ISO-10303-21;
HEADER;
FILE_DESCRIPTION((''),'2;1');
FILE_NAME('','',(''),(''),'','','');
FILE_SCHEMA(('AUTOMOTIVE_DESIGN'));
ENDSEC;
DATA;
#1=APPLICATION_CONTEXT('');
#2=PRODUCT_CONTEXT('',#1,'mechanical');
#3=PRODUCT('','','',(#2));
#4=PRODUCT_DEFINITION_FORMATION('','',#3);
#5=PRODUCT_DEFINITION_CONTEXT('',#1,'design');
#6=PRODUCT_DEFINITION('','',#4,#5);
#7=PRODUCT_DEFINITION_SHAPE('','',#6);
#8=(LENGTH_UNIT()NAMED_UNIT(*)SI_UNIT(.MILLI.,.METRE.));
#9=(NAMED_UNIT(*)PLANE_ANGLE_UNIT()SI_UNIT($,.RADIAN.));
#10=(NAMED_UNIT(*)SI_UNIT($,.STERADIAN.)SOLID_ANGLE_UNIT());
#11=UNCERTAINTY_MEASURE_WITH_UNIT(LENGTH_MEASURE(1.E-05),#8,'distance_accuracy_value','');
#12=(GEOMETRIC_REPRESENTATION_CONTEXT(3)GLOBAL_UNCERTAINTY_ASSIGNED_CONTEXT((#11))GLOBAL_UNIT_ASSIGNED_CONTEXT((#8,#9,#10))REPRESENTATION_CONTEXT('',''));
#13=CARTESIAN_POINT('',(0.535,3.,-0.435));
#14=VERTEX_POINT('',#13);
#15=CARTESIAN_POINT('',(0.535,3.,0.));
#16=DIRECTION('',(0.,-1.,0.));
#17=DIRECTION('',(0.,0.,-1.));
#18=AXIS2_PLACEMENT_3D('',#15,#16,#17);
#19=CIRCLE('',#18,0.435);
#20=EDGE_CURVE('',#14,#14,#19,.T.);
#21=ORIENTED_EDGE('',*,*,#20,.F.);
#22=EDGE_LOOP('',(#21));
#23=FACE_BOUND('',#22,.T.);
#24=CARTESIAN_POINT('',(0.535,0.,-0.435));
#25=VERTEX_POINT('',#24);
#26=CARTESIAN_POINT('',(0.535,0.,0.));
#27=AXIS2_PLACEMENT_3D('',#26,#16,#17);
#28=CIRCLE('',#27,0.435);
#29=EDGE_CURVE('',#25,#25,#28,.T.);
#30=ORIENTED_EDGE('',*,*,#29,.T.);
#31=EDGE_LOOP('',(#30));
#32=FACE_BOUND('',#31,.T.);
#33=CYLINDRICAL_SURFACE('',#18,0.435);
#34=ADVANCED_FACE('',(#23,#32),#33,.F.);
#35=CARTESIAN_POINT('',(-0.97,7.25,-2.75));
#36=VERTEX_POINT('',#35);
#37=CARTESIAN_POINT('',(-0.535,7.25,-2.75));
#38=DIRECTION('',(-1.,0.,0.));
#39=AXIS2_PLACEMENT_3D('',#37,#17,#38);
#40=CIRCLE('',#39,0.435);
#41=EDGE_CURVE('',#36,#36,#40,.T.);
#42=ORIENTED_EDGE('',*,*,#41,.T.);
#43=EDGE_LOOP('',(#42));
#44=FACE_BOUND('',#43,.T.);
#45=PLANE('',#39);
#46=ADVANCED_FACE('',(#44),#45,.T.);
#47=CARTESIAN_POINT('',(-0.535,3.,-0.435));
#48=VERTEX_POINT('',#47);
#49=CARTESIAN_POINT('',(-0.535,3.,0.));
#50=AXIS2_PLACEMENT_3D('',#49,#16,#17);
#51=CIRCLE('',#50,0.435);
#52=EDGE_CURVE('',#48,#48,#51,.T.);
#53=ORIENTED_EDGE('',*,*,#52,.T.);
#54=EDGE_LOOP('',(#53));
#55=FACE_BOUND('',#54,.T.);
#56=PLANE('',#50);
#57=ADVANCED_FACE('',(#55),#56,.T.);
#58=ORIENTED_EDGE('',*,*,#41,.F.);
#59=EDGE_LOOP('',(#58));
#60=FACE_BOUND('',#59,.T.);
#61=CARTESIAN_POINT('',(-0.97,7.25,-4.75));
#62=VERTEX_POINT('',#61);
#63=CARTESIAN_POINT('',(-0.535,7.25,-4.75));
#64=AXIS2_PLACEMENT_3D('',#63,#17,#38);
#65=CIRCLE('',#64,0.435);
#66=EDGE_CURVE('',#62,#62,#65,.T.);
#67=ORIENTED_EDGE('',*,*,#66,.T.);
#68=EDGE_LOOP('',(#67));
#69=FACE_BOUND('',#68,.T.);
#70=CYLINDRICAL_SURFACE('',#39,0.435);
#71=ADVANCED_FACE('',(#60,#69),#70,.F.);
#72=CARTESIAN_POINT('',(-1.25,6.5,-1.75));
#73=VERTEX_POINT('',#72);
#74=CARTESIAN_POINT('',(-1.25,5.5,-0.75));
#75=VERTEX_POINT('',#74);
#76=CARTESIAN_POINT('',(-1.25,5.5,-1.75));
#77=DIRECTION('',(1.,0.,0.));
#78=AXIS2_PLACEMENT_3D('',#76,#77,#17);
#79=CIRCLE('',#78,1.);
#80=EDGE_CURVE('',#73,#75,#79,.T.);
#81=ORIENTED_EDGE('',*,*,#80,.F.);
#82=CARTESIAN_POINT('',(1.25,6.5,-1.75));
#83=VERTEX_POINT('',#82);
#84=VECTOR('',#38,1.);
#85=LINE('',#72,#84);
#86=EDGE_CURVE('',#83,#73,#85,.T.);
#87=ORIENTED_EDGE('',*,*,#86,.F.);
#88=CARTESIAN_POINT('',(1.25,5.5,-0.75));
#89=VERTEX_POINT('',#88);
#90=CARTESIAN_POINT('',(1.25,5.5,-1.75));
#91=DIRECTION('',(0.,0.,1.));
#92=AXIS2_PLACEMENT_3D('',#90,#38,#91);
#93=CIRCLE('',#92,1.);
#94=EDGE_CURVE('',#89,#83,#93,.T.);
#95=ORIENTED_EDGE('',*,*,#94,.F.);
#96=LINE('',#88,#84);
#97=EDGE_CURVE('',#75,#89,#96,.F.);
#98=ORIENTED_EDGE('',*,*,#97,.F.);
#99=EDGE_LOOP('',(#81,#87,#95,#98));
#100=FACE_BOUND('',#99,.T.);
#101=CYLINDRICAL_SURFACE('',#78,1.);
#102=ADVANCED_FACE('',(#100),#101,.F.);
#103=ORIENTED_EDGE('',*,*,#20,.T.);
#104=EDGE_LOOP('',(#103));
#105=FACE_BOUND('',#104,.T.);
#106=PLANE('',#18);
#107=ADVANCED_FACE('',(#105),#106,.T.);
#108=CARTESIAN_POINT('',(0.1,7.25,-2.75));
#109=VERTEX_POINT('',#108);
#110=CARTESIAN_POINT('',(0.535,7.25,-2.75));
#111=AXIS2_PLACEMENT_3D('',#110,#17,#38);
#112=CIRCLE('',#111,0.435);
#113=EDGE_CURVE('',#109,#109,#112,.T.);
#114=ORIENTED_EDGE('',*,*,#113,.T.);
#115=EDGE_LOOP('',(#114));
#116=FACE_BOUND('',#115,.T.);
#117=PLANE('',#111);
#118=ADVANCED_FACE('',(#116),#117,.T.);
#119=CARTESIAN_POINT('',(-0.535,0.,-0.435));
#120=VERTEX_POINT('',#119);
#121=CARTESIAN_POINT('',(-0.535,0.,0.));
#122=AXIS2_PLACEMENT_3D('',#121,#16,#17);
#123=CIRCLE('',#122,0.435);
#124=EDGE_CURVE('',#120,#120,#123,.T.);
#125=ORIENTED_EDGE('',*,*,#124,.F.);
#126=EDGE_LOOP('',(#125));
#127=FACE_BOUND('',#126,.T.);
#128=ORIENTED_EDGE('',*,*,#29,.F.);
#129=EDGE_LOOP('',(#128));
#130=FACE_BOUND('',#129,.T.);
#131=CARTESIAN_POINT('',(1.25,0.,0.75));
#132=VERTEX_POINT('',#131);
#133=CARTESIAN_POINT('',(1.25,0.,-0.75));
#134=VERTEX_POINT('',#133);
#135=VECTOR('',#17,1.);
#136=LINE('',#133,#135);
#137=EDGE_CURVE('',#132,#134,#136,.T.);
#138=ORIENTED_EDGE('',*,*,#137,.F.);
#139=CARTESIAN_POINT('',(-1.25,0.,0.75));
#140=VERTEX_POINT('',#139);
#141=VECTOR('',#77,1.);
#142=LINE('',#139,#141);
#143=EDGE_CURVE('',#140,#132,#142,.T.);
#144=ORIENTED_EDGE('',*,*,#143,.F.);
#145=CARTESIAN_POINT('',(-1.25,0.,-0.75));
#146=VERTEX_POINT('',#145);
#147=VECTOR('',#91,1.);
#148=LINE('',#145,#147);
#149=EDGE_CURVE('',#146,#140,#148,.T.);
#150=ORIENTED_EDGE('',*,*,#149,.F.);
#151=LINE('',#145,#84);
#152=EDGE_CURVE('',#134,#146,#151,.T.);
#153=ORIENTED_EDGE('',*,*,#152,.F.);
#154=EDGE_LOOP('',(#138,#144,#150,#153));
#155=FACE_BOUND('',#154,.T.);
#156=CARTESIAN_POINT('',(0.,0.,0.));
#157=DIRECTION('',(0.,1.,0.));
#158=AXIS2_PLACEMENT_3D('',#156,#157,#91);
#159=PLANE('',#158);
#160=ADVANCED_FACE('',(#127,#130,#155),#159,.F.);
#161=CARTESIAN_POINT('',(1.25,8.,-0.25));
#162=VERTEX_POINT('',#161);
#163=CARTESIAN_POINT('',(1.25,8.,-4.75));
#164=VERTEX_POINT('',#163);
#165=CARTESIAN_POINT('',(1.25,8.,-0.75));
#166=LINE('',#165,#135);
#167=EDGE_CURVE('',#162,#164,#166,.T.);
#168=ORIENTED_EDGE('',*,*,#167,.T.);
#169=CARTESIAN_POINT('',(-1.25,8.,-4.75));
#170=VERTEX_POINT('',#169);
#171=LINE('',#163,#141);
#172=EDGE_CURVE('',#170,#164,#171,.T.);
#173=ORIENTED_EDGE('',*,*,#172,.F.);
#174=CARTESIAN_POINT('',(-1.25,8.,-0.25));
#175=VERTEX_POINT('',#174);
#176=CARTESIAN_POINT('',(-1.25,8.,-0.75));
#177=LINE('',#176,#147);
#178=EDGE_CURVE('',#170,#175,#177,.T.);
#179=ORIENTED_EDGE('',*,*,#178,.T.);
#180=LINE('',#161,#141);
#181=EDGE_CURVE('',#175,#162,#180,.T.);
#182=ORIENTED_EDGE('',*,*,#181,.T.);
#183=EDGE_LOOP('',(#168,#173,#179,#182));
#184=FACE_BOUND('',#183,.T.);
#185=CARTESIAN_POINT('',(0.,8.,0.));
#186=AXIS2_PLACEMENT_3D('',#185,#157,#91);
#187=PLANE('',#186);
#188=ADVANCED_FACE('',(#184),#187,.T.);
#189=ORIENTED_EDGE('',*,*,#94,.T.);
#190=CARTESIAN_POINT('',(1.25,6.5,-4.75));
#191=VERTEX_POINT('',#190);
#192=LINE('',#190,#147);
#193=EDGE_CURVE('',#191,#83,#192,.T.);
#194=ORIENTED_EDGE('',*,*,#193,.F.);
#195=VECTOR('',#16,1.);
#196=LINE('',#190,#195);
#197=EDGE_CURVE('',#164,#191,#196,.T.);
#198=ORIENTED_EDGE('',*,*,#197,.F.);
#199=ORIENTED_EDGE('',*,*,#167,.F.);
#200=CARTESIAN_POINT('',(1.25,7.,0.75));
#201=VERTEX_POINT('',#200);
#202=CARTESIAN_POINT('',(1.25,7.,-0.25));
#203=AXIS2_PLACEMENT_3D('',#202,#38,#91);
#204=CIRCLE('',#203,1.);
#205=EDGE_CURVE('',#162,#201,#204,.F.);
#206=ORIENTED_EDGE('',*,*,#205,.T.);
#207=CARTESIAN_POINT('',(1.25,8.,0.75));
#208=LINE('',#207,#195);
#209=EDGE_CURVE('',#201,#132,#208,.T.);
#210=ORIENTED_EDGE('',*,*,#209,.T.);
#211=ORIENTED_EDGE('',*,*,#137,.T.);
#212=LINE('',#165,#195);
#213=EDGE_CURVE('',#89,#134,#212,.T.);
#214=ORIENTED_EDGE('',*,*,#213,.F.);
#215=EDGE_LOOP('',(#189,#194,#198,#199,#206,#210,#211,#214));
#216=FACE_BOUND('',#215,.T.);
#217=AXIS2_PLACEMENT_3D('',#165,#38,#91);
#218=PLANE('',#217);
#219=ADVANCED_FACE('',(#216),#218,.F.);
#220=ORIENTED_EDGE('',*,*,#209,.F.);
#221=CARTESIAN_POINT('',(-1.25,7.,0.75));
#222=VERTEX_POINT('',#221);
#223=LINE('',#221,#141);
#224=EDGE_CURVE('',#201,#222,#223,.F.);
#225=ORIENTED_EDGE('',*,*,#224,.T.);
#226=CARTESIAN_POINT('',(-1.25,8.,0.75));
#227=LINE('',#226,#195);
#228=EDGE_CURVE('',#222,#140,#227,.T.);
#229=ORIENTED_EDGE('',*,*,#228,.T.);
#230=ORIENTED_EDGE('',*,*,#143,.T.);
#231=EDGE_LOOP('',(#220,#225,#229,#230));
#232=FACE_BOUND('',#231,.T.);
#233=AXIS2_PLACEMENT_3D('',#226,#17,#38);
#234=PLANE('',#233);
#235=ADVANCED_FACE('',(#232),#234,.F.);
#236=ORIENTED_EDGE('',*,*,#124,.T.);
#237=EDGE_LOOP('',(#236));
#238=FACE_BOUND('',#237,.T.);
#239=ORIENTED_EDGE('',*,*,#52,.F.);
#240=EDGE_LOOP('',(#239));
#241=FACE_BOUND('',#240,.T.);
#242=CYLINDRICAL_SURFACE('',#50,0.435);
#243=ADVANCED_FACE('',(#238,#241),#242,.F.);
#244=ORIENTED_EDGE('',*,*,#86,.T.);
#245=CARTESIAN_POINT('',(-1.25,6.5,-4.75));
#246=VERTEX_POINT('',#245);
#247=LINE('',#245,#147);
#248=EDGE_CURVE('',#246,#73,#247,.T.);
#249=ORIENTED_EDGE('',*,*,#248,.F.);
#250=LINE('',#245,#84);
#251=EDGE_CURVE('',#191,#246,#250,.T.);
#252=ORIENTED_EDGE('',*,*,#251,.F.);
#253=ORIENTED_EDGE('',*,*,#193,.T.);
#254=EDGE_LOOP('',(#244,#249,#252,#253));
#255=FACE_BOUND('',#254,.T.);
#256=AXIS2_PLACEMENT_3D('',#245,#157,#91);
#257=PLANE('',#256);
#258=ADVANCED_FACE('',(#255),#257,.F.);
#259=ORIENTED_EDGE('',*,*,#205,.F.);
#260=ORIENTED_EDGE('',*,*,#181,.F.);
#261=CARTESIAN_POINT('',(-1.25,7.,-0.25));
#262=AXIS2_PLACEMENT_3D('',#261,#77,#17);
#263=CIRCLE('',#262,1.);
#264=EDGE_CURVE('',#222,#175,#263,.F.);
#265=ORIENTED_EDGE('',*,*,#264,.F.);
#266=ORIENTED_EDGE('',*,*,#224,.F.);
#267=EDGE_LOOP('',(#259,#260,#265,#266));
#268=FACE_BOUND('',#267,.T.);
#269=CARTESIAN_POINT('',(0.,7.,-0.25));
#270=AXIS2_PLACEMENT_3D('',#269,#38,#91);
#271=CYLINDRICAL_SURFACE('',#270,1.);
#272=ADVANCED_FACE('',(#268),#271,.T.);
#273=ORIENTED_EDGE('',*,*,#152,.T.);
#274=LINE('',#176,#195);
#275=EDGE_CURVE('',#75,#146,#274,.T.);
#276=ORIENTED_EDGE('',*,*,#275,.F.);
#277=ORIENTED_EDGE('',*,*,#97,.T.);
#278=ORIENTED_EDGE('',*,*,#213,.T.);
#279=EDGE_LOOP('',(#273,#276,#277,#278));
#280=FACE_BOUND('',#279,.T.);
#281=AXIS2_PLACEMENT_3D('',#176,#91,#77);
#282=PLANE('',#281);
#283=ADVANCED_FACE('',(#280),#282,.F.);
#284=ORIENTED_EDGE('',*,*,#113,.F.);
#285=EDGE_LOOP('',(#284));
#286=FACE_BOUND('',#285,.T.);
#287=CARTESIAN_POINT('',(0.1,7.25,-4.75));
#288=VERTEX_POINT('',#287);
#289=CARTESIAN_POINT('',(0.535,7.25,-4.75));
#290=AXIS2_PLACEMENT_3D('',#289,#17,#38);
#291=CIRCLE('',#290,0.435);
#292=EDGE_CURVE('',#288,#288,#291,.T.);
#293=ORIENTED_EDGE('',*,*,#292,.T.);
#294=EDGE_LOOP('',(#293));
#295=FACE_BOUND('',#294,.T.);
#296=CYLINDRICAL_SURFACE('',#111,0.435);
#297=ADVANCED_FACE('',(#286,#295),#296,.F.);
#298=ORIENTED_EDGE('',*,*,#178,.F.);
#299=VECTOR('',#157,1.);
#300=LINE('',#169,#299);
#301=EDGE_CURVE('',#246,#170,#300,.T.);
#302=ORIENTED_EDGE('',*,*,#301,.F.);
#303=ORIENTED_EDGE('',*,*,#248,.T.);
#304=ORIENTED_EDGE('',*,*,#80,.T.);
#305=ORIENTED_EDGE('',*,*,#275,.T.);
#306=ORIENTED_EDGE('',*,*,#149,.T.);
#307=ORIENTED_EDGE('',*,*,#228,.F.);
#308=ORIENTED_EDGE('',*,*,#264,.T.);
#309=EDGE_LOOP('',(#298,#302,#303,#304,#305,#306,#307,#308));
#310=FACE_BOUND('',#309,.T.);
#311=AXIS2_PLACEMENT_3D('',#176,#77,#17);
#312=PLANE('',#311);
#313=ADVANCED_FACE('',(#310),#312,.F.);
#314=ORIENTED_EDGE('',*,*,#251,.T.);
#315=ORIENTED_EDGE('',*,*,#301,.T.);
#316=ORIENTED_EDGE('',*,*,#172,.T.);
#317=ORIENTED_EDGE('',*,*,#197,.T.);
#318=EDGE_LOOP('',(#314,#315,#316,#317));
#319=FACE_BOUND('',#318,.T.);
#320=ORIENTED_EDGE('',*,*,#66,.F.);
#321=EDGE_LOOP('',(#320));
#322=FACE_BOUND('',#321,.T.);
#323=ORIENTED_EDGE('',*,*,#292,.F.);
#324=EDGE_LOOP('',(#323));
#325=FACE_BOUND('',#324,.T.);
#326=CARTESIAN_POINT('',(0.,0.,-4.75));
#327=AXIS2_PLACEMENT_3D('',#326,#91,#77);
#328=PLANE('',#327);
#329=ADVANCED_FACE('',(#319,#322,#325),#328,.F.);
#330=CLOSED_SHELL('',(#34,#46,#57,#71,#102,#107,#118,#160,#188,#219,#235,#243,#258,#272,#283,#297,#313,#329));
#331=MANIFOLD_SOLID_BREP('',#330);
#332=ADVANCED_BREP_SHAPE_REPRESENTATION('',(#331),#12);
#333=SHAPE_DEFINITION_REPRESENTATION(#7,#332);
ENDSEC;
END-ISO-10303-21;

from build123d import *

# Parameters (mm, degrees)
SKETCH_1_W          = 2.5
SKETCH_1_H          = 1.5
EXTRUDE_1_DEPTH     = 8
SKETCH_5_R          = 0.435
CUT_EXTRUDE_1_DEPTH = 3
SKETCH_6_W          = 2.5
SKETCH_6_H          = 1.5
EXTRUDE_2_DEPTH     = 4
FILLET_1_R          = 1
SKETCH_7_R          = 0.435
CUT_EXTRUDE_2_DEPTH = 2


with BuildPart() as part:
    # Эскиз1 → Бобышка-Вытянуть1 (new body)
    with BuildSketch(Plane(origin=(0, 0, 0), x_dir=(1, 0, 0), z_dir=(0, 1, 0))):
        Rectangle(SKETCH_1_W, SKETCH_1_H)
    extrude(amount=EXTRUDE_1_DEPTH)

    # Эскиз5 → Вырез-Вытянуть1 (cut)
    with BuildSketch(Plane.XZ):
        with Locations((0.535, 0)):
            Circle(SKETCH_5_R)
        with Locations((-0.535, 0)):
            Circle(SKETCH_5_R)
    extrude(amount=-CUT_EXTRUDE_1_DEPTH, mode=Mode.SUBTRACT)

    # Эскиз6 → Бобышка-Вытянуть2 (add)
    with BuildSketch(Plane(origin=(0, 0, -0.75), x_dir=(-1, 0, 0), z_dir=(0, 0, -1))):
        with Locations((0, 7.25)):
            Rectangle(SKETCH_6_W, SKETCH_6_H)
    extrude(amount=EXTRUDE_2_DEPTH)

    # Скругление1
    fillet_1_edges = [part.edges().sort_by_distance(p)[0] for p in [
        (0, 8, 0.75),
        (0, 6.5, -0.75),
    ]]
    fillet(fillet_1_edges, radius=FILLET_1_R)

    # Эскиз7 → Вырез-Вытянуть2 (cut)
    with BuildSketch(Plane(origin=(0, 0, -4.75), x_dir=(-1, 0, 0), z_dir=(0, 0, -1))):
        with Locations((-0.535, 7.25)):
            Circle(SKETCH_7_R)
        with Locations((0.535, 7.25)):
            Circle(SKETCH_7_R)
    extrude(amount=-CUT_EXTRUDE_2_DEPTH, mode=Mode.SUBTRACT)


solid = part.part
